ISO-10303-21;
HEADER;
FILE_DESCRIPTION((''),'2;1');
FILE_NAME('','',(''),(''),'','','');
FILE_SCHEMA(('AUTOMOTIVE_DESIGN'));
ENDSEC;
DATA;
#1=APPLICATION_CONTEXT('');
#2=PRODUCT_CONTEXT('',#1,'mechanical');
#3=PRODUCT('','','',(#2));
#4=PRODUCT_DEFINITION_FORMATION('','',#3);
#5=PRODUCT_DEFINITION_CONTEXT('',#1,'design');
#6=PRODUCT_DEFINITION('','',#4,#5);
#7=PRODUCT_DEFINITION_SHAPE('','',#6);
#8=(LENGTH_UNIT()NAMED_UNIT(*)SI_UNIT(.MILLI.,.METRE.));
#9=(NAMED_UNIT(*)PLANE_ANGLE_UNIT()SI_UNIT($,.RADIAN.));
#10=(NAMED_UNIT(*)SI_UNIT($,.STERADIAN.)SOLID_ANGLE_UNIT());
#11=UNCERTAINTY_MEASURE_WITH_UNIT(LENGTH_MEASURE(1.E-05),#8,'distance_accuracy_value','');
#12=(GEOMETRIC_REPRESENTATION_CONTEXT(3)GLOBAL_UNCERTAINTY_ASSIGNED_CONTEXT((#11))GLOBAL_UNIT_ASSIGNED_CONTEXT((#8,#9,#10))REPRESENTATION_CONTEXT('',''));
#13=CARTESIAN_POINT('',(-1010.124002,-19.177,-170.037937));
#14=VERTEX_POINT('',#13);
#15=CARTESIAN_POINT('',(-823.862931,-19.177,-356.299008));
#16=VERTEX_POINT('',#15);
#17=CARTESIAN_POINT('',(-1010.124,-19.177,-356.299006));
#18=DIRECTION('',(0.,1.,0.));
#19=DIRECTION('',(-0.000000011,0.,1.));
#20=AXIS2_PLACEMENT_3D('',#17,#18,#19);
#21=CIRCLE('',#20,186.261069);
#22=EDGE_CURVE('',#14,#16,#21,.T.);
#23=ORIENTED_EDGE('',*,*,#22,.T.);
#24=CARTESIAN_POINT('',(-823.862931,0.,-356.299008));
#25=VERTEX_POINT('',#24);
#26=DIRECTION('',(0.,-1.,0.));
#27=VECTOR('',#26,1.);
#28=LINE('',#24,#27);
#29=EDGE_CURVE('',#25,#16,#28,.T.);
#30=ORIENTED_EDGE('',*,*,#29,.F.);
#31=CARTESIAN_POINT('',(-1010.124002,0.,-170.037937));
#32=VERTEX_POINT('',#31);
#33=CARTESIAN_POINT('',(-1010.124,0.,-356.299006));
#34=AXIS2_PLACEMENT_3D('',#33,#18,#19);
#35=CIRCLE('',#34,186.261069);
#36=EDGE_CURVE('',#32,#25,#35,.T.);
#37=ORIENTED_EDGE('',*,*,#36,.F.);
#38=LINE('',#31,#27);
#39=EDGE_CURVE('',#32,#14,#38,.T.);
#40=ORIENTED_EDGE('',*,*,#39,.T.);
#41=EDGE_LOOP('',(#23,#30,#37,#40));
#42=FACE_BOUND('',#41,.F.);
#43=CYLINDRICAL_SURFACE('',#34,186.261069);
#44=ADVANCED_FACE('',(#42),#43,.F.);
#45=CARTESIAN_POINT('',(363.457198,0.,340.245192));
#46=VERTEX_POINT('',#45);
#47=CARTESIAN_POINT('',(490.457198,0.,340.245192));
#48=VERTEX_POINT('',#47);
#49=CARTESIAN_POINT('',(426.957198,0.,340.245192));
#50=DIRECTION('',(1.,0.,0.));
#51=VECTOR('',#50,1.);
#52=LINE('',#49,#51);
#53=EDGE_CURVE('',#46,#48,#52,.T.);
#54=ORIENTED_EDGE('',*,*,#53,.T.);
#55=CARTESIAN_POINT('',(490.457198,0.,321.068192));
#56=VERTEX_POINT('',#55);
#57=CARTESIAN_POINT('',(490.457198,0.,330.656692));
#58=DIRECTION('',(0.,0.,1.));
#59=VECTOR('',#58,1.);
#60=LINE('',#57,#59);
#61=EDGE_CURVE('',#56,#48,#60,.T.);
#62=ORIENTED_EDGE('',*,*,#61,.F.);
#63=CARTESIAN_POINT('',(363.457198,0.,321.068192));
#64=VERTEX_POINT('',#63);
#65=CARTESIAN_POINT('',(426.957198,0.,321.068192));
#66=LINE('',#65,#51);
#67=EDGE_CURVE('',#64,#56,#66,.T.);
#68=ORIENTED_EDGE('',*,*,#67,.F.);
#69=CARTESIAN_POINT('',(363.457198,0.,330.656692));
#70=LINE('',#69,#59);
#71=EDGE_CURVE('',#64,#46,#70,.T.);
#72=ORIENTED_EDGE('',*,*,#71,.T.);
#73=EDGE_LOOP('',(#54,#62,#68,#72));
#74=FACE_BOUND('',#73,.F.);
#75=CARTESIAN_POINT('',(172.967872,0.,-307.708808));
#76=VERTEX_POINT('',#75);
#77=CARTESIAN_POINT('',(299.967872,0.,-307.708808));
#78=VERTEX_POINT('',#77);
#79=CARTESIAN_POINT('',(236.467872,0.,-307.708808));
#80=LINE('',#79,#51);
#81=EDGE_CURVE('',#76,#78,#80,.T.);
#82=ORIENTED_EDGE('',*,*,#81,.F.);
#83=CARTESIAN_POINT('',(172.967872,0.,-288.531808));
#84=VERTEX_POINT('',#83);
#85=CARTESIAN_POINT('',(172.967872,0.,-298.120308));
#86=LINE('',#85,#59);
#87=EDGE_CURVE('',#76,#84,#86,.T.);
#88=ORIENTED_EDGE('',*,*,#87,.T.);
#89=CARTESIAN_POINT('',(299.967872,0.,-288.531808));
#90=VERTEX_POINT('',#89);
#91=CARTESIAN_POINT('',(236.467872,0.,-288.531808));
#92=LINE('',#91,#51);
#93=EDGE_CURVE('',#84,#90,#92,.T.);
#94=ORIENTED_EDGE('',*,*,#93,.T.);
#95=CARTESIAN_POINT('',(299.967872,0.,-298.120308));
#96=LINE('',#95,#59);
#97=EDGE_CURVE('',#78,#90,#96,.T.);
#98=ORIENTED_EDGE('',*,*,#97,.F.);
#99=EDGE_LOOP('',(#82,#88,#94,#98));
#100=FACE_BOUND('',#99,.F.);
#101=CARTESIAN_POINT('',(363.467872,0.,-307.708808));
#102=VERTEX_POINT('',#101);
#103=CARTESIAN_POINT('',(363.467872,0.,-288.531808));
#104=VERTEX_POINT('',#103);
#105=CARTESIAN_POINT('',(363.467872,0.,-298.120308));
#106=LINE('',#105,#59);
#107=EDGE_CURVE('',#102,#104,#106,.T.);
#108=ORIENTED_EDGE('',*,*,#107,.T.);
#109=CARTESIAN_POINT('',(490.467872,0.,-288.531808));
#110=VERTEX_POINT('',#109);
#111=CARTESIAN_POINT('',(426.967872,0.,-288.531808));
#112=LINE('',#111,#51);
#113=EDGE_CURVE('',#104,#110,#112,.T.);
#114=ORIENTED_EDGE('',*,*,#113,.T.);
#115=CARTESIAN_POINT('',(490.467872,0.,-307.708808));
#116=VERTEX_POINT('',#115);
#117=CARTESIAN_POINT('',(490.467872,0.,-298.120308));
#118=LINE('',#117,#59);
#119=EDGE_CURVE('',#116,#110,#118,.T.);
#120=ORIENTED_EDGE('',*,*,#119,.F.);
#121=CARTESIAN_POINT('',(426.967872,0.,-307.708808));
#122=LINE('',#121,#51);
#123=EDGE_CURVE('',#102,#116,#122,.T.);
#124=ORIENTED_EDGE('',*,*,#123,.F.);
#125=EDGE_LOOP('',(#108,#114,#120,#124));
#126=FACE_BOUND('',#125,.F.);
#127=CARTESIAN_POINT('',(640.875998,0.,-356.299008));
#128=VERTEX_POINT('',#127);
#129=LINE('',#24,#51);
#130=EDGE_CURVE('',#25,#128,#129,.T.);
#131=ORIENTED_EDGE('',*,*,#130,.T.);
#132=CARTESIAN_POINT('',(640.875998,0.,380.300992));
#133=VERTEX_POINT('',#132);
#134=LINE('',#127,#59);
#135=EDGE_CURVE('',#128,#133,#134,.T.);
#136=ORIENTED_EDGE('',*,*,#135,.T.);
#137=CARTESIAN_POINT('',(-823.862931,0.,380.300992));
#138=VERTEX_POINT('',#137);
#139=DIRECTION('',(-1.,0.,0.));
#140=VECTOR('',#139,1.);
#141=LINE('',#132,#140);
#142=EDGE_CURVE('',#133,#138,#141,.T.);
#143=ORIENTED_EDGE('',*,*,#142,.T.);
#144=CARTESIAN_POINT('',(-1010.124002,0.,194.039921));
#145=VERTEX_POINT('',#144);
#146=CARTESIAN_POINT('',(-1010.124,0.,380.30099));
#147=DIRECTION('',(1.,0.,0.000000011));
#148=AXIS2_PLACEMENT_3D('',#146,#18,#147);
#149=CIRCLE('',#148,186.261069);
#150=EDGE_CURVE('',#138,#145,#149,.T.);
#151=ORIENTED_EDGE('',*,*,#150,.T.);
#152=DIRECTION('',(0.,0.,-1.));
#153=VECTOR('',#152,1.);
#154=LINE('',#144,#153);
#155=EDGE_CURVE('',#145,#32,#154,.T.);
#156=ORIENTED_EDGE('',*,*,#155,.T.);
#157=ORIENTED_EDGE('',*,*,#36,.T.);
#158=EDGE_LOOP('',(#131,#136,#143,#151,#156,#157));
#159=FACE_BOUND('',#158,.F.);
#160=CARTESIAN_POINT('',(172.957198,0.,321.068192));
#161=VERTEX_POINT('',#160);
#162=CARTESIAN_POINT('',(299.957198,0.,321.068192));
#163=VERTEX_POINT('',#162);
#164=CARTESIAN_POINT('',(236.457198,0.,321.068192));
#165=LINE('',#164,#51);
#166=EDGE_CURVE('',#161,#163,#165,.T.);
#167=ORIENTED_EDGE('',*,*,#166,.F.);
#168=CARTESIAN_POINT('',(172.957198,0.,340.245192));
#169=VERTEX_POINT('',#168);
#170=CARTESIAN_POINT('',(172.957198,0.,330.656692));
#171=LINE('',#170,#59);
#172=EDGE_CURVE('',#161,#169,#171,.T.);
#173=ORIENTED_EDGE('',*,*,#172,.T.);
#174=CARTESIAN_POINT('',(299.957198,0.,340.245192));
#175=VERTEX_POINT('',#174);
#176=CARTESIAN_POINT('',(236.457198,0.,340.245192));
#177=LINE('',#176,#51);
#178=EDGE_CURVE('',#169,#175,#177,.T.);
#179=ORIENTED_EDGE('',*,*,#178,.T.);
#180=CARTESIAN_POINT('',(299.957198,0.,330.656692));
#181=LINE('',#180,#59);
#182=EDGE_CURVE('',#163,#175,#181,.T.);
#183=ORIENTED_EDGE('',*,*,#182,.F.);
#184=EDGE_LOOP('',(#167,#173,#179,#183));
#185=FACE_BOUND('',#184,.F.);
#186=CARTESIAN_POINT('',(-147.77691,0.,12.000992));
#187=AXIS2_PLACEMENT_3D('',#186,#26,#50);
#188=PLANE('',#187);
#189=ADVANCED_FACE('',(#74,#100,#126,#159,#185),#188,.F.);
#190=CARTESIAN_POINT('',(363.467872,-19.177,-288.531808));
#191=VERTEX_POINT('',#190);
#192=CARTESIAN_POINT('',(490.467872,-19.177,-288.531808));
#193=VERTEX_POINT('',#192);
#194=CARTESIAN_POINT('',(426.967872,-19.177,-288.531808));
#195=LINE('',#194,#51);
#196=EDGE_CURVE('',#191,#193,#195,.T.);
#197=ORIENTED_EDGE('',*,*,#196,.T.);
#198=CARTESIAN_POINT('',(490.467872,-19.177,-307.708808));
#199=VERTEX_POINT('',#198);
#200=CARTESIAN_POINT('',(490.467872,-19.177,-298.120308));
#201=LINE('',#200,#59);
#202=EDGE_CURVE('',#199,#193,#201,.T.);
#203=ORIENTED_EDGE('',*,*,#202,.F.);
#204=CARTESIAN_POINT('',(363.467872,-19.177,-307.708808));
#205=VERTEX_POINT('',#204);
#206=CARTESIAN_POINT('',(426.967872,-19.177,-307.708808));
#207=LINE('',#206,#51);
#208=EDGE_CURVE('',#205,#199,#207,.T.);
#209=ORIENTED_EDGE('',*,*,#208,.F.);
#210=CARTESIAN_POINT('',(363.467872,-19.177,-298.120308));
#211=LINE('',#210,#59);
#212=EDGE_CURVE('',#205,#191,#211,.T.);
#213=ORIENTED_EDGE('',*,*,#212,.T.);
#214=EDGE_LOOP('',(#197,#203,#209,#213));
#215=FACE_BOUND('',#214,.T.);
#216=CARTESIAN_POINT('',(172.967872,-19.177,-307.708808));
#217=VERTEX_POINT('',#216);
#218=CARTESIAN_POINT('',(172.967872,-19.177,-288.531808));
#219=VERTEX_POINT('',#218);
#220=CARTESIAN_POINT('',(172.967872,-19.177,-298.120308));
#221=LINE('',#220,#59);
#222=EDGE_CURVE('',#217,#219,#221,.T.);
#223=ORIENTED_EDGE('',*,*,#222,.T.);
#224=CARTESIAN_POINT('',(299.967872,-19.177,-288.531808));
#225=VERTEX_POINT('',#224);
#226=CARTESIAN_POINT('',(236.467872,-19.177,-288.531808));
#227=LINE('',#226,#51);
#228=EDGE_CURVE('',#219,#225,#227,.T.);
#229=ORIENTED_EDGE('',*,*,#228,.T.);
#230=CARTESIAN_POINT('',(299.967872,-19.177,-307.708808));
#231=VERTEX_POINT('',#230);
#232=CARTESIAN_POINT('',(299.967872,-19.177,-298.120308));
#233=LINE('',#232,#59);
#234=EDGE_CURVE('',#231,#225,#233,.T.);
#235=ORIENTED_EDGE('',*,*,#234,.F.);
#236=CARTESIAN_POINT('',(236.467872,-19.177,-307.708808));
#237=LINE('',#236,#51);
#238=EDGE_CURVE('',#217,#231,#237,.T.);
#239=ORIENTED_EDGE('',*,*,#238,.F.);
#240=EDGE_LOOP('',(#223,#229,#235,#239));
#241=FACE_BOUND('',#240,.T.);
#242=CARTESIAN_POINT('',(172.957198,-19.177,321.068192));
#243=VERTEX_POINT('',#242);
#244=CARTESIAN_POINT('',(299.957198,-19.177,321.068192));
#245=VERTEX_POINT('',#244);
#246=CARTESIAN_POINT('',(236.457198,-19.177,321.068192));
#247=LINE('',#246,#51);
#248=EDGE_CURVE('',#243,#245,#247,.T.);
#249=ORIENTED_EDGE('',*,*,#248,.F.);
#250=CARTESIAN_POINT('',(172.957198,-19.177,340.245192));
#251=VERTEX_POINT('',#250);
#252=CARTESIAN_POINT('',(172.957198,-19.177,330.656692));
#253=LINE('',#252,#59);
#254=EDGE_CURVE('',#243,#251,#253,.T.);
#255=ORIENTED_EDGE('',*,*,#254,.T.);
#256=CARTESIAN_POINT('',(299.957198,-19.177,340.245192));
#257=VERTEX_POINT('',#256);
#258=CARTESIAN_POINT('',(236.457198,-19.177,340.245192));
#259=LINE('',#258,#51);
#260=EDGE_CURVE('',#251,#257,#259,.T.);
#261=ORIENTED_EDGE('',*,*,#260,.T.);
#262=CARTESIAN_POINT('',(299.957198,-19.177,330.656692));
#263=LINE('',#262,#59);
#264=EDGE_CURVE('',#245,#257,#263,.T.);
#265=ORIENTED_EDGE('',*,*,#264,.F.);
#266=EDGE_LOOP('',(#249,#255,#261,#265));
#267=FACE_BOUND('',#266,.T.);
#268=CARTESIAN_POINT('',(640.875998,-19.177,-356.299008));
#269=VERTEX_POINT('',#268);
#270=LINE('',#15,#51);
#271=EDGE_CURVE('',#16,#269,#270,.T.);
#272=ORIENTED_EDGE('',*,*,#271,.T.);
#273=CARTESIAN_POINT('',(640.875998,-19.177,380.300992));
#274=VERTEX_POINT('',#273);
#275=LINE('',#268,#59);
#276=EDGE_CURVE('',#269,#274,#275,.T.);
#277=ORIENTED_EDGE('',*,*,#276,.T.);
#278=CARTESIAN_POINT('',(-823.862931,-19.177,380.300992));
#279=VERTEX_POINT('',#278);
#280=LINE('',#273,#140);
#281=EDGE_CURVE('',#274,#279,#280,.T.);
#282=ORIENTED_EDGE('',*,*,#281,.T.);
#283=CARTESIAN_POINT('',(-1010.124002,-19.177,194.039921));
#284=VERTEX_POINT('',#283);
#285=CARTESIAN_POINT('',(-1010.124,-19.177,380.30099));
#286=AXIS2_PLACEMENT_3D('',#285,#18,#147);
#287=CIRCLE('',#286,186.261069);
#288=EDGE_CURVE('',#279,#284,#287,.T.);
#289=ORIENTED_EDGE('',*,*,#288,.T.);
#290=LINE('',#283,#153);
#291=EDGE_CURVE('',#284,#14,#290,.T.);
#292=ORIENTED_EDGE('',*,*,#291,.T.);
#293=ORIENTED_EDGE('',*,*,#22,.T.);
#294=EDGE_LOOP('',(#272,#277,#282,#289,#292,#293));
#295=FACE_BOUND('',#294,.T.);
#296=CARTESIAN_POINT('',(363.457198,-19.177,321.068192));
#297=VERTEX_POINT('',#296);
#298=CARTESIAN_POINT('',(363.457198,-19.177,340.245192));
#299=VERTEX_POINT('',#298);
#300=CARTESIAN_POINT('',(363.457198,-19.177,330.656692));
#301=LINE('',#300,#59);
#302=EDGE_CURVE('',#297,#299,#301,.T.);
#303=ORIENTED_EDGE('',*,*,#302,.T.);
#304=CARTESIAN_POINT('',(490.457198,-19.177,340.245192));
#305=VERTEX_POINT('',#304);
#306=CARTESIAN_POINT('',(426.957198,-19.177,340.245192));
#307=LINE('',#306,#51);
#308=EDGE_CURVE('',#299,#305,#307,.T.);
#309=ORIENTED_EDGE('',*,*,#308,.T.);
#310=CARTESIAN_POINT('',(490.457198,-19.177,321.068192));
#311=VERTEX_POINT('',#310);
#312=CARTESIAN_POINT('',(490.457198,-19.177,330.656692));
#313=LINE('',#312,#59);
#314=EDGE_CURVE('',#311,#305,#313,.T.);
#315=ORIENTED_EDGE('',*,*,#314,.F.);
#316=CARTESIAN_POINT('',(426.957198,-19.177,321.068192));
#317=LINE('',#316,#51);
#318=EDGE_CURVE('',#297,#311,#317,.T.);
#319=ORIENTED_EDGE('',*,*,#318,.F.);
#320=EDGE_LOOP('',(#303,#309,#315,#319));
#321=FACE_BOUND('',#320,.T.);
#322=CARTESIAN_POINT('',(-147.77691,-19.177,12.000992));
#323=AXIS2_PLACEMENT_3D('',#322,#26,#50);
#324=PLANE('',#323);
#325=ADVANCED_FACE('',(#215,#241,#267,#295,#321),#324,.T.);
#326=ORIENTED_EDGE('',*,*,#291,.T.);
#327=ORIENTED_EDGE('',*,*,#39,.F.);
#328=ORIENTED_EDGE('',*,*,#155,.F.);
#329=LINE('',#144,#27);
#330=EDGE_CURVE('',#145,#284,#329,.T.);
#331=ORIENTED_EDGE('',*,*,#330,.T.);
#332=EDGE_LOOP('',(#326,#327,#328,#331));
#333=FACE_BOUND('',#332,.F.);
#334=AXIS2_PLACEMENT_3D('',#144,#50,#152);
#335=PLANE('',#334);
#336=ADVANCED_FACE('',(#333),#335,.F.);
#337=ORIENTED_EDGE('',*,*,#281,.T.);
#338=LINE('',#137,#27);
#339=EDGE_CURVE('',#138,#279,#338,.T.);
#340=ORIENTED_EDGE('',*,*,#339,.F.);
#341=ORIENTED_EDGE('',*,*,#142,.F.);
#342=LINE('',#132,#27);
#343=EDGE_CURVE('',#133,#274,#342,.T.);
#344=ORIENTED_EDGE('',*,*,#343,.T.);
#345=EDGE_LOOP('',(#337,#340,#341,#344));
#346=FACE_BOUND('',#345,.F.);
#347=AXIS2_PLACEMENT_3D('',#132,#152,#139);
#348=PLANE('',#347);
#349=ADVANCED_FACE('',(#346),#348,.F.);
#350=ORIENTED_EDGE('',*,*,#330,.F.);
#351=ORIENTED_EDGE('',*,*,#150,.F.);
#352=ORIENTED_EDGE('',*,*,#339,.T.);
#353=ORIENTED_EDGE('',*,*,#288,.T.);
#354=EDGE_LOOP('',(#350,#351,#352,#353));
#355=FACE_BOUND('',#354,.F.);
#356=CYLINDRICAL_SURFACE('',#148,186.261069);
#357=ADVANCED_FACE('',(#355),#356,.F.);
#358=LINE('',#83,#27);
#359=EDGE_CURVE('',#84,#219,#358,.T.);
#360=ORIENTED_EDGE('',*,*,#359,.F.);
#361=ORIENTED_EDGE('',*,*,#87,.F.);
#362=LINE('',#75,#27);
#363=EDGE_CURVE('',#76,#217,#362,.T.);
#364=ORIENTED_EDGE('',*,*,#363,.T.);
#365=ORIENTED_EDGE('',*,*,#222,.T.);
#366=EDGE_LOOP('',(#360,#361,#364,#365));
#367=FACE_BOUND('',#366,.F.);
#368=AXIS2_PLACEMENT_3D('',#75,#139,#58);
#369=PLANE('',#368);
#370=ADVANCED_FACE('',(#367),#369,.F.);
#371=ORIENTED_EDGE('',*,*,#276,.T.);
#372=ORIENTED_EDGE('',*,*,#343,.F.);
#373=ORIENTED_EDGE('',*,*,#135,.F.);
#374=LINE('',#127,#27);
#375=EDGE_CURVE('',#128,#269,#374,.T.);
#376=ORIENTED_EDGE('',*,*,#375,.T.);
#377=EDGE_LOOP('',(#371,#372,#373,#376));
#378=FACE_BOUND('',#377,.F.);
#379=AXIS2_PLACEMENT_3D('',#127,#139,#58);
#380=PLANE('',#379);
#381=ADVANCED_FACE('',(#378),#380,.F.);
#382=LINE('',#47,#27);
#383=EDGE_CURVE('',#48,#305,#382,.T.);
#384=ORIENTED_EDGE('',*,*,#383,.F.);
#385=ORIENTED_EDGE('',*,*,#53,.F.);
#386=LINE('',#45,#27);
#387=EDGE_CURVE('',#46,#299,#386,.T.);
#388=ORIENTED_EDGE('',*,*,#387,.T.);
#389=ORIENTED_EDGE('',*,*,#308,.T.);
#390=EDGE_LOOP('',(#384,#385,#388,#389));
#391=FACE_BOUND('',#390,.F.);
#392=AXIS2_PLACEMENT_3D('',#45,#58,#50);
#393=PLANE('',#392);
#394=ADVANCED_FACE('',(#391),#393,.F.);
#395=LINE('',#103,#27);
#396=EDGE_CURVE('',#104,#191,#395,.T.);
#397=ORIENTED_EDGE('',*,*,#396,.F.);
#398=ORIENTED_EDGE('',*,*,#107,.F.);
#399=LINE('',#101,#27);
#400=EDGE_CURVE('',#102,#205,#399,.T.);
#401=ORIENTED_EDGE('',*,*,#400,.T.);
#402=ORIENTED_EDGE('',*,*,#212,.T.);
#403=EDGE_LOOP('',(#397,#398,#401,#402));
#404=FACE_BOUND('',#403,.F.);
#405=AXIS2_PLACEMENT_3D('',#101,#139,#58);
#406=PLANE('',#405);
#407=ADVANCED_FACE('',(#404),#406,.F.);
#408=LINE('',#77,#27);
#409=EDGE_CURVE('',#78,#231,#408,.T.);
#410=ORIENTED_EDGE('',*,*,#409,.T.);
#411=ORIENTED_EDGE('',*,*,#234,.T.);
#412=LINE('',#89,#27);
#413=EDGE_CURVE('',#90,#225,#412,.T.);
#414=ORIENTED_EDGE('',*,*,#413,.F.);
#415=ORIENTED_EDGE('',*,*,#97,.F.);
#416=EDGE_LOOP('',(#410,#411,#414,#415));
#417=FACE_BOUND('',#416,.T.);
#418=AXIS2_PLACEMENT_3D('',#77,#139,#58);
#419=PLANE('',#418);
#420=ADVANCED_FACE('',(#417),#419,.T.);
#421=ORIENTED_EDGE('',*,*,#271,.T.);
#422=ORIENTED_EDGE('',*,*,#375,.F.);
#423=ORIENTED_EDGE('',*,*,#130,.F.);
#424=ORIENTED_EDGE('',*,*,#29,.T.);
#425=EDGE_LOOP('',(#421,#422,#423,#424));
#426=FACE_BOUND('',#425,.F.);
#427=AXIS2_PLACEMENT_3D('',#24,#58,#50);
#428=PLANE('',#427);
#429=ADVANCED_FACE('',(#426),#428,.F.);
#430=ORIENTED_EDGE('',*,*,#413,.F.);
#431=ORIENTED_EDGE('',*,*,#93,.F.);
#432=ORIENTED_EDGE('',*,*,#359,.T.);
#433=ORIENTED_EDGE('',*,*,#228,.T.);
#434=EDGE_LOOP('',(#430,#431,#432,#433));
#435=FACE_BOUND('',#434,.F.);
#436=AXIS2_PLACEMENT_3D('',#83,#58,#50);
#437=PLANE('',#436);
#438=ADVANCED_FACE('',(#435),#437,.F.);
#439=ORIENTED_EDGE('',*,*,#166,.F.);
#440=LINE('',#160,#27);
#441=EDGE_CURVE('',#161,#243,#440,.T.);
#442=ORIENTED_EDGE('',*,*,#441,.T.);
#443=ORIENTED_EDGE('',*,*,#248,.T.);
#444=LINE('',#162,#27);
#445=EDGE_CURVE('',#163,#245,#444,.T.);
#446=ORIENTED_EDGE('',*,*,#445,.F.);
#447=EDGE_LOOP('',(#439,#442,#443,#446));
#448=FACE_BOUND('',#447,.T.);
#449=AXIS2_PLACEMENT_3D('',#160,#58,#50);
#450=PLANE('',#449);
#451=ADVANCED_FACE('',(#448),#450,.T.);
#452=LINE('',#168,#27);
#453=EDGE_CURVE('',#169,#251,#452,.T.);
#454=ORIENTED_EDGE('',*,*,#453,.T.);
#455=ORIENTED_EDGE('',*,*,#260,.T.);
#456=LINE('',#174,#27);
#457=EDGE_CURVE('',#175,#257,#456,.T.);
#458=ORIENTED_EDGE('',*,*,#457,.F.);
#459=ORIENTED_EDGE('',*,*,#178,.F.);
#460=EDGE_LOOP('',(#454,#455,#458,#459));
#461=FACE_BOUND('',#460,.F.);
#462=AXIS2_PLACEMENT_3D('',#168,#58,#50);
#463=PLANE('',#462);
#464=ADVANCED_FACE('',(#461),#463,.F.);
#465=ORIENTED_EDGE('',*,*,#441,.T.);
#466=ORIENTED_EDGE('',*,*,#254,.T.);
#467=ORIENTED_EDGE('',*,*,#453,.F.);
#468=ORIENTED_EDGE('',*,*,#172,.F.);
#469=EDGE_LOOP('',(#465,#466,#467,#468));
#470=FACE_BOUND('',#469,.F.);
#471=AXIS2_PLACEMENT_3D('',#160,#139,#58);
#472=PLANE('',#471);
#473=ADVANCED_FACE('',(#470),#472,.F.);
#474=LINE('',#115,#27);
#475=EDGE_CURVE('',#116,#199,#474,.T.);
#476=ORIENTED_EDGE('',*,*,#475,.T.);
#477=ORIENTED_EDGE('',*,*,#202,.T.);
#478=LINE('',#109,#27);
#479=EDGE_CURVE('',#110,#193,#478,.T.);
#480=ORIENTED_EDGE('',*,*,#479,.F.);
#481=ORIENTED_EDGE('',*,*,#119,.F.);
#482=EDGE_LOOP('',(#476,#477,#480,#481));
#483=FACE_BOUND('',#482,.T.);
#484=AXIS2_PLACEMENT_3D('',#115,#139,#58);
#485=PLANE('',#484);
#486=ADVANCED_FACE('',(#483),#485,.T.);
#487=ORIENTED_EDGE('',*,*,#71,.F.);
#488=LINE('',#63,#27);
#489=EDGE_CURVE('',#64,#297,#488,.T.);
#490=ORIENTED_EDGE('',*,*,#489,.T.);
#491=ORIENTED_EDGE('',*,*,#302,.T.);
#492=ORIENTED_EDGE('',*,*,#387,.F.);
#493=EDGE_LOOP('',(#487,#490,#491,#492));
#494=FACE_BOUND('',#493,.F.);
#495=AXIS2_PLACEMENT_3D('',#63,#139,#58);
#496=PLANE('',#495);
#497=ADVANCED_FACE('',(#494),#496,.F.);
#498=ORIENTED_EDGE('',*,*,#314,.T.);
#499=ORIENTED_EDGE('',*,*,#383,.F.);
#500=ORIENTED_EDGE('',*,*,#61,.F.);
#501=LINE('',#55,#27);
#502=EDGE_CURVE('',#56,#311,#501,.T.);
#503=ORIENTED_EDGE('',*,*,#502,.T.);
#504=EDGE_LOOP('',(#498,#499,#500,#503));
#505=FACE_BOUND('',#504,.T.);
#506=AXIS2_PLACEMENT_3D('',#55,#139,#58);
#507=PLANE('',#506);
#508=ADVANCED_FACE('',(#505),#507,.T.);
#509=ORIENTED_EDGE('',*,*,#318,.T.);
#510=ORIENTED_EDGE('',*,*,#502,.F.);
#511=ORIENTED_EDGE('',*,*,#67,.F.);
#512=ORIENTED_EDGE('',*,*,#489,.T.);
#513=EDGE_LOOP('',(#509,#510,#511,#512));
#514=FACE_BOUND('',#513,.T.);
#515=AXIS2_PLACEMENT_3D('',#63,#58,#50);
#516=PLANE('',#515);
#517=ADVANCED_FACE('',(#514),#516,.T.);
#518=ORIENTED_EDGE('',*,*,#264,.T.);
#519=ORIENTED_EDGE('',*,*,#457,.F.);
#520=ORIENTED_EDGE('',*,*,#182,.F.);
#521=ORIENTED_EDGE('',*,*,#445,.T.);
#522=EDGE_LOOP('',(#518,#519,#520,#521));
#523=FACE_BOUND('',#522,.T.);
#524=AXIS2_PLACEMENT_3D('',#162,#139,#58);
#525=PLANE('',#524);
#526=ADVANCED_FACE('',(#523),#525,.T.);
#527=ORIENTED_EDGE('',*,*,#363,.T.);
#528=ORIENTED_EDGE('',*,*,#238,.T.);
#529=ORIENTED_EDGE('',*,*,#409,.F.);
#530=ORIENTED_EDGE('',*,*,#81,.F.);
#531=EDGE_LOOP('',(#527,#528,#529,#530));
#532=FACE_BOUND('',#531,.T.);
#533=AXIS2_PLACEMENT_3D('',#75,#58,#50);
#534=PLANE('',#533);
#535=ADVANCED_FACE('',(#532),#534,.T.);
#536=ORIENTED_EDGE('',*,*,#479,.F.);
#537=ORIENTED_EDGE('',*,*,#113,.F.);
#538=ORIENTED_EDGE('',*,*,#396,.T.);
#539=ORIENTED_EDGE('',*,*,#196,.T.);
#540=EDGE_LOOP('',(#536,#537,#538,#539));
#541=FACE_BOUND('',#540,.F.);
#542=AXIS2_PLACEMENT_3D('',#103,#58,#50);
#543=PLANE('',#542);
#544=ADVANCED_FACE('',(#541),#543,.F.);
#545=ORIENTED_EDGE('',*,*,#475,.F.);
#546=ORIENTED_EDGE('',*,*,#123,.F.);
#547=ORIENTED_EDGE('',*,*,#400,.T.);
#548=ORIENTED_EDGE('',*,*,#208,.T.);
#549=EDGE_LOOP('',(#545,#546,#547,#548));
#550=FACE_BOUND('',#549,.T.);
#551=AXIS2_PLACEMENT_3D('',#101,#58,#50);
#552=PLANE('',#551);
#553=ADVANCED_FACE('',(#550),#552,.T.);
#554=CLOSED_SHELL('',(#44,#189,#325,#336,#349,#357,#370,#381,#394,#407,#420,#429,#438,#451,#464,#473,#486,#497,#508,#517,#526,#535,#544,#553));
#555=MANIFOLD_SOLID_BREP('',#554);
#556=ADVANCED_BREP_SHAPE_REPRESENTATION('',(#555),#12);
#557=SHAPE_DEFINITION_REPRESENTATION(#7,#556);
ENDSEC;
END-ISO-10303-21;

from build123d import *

# Parameters (mm, degrees)
F0_W     = 127
F0_H     = 19.177
F1_DEPTH = 19.177


with BuildPart() as f1:
    # F0 (on Front) → F1 (new body)
    with BuildSketch(Plane.XZ):
        with BuildLine():
            Line((640.875998, 380.300992), (-823.862931, 380.300992))
            ThreePointArc((-823.862931, 380.300992), (-878.417535, 248.594525), (-1010.124002, 194.039921))
            Line((-1010.124002, 194.039921), (-1010.124002, -170.037937))
            ThreePointArc((-1010.124002, -170.037937), (-878.417535, -224.592541), (-823.862931, -356.299008))
            Line((-823.862931, -356.299008), (640.875998, -356.299008))
            Line((640.875998, -356.299008), (640.875998, 380.300992))
        make_face()
        with Locations((236.467872, -298.120308)):
            Rectangle(F0_W, F0_H, mode=Mode.SUBTRACT)
        with Locations((426.967872, -298.120308)):
            Rectangle(F0_W, F0_H, mode=Mode.SUBTRACT)
        with Locations((236.457198, 330.656692)):
            Rectangle(F0_W, F0_H, mode=Mode.SUBTRACT)
        with Locations((426.957198, 330.656692)):
            Rectangle(F0_W, F0_H, mode=Mode.SUBTRACT)
    extrude(amount=F1_DEPTH)


solid = f1.part
